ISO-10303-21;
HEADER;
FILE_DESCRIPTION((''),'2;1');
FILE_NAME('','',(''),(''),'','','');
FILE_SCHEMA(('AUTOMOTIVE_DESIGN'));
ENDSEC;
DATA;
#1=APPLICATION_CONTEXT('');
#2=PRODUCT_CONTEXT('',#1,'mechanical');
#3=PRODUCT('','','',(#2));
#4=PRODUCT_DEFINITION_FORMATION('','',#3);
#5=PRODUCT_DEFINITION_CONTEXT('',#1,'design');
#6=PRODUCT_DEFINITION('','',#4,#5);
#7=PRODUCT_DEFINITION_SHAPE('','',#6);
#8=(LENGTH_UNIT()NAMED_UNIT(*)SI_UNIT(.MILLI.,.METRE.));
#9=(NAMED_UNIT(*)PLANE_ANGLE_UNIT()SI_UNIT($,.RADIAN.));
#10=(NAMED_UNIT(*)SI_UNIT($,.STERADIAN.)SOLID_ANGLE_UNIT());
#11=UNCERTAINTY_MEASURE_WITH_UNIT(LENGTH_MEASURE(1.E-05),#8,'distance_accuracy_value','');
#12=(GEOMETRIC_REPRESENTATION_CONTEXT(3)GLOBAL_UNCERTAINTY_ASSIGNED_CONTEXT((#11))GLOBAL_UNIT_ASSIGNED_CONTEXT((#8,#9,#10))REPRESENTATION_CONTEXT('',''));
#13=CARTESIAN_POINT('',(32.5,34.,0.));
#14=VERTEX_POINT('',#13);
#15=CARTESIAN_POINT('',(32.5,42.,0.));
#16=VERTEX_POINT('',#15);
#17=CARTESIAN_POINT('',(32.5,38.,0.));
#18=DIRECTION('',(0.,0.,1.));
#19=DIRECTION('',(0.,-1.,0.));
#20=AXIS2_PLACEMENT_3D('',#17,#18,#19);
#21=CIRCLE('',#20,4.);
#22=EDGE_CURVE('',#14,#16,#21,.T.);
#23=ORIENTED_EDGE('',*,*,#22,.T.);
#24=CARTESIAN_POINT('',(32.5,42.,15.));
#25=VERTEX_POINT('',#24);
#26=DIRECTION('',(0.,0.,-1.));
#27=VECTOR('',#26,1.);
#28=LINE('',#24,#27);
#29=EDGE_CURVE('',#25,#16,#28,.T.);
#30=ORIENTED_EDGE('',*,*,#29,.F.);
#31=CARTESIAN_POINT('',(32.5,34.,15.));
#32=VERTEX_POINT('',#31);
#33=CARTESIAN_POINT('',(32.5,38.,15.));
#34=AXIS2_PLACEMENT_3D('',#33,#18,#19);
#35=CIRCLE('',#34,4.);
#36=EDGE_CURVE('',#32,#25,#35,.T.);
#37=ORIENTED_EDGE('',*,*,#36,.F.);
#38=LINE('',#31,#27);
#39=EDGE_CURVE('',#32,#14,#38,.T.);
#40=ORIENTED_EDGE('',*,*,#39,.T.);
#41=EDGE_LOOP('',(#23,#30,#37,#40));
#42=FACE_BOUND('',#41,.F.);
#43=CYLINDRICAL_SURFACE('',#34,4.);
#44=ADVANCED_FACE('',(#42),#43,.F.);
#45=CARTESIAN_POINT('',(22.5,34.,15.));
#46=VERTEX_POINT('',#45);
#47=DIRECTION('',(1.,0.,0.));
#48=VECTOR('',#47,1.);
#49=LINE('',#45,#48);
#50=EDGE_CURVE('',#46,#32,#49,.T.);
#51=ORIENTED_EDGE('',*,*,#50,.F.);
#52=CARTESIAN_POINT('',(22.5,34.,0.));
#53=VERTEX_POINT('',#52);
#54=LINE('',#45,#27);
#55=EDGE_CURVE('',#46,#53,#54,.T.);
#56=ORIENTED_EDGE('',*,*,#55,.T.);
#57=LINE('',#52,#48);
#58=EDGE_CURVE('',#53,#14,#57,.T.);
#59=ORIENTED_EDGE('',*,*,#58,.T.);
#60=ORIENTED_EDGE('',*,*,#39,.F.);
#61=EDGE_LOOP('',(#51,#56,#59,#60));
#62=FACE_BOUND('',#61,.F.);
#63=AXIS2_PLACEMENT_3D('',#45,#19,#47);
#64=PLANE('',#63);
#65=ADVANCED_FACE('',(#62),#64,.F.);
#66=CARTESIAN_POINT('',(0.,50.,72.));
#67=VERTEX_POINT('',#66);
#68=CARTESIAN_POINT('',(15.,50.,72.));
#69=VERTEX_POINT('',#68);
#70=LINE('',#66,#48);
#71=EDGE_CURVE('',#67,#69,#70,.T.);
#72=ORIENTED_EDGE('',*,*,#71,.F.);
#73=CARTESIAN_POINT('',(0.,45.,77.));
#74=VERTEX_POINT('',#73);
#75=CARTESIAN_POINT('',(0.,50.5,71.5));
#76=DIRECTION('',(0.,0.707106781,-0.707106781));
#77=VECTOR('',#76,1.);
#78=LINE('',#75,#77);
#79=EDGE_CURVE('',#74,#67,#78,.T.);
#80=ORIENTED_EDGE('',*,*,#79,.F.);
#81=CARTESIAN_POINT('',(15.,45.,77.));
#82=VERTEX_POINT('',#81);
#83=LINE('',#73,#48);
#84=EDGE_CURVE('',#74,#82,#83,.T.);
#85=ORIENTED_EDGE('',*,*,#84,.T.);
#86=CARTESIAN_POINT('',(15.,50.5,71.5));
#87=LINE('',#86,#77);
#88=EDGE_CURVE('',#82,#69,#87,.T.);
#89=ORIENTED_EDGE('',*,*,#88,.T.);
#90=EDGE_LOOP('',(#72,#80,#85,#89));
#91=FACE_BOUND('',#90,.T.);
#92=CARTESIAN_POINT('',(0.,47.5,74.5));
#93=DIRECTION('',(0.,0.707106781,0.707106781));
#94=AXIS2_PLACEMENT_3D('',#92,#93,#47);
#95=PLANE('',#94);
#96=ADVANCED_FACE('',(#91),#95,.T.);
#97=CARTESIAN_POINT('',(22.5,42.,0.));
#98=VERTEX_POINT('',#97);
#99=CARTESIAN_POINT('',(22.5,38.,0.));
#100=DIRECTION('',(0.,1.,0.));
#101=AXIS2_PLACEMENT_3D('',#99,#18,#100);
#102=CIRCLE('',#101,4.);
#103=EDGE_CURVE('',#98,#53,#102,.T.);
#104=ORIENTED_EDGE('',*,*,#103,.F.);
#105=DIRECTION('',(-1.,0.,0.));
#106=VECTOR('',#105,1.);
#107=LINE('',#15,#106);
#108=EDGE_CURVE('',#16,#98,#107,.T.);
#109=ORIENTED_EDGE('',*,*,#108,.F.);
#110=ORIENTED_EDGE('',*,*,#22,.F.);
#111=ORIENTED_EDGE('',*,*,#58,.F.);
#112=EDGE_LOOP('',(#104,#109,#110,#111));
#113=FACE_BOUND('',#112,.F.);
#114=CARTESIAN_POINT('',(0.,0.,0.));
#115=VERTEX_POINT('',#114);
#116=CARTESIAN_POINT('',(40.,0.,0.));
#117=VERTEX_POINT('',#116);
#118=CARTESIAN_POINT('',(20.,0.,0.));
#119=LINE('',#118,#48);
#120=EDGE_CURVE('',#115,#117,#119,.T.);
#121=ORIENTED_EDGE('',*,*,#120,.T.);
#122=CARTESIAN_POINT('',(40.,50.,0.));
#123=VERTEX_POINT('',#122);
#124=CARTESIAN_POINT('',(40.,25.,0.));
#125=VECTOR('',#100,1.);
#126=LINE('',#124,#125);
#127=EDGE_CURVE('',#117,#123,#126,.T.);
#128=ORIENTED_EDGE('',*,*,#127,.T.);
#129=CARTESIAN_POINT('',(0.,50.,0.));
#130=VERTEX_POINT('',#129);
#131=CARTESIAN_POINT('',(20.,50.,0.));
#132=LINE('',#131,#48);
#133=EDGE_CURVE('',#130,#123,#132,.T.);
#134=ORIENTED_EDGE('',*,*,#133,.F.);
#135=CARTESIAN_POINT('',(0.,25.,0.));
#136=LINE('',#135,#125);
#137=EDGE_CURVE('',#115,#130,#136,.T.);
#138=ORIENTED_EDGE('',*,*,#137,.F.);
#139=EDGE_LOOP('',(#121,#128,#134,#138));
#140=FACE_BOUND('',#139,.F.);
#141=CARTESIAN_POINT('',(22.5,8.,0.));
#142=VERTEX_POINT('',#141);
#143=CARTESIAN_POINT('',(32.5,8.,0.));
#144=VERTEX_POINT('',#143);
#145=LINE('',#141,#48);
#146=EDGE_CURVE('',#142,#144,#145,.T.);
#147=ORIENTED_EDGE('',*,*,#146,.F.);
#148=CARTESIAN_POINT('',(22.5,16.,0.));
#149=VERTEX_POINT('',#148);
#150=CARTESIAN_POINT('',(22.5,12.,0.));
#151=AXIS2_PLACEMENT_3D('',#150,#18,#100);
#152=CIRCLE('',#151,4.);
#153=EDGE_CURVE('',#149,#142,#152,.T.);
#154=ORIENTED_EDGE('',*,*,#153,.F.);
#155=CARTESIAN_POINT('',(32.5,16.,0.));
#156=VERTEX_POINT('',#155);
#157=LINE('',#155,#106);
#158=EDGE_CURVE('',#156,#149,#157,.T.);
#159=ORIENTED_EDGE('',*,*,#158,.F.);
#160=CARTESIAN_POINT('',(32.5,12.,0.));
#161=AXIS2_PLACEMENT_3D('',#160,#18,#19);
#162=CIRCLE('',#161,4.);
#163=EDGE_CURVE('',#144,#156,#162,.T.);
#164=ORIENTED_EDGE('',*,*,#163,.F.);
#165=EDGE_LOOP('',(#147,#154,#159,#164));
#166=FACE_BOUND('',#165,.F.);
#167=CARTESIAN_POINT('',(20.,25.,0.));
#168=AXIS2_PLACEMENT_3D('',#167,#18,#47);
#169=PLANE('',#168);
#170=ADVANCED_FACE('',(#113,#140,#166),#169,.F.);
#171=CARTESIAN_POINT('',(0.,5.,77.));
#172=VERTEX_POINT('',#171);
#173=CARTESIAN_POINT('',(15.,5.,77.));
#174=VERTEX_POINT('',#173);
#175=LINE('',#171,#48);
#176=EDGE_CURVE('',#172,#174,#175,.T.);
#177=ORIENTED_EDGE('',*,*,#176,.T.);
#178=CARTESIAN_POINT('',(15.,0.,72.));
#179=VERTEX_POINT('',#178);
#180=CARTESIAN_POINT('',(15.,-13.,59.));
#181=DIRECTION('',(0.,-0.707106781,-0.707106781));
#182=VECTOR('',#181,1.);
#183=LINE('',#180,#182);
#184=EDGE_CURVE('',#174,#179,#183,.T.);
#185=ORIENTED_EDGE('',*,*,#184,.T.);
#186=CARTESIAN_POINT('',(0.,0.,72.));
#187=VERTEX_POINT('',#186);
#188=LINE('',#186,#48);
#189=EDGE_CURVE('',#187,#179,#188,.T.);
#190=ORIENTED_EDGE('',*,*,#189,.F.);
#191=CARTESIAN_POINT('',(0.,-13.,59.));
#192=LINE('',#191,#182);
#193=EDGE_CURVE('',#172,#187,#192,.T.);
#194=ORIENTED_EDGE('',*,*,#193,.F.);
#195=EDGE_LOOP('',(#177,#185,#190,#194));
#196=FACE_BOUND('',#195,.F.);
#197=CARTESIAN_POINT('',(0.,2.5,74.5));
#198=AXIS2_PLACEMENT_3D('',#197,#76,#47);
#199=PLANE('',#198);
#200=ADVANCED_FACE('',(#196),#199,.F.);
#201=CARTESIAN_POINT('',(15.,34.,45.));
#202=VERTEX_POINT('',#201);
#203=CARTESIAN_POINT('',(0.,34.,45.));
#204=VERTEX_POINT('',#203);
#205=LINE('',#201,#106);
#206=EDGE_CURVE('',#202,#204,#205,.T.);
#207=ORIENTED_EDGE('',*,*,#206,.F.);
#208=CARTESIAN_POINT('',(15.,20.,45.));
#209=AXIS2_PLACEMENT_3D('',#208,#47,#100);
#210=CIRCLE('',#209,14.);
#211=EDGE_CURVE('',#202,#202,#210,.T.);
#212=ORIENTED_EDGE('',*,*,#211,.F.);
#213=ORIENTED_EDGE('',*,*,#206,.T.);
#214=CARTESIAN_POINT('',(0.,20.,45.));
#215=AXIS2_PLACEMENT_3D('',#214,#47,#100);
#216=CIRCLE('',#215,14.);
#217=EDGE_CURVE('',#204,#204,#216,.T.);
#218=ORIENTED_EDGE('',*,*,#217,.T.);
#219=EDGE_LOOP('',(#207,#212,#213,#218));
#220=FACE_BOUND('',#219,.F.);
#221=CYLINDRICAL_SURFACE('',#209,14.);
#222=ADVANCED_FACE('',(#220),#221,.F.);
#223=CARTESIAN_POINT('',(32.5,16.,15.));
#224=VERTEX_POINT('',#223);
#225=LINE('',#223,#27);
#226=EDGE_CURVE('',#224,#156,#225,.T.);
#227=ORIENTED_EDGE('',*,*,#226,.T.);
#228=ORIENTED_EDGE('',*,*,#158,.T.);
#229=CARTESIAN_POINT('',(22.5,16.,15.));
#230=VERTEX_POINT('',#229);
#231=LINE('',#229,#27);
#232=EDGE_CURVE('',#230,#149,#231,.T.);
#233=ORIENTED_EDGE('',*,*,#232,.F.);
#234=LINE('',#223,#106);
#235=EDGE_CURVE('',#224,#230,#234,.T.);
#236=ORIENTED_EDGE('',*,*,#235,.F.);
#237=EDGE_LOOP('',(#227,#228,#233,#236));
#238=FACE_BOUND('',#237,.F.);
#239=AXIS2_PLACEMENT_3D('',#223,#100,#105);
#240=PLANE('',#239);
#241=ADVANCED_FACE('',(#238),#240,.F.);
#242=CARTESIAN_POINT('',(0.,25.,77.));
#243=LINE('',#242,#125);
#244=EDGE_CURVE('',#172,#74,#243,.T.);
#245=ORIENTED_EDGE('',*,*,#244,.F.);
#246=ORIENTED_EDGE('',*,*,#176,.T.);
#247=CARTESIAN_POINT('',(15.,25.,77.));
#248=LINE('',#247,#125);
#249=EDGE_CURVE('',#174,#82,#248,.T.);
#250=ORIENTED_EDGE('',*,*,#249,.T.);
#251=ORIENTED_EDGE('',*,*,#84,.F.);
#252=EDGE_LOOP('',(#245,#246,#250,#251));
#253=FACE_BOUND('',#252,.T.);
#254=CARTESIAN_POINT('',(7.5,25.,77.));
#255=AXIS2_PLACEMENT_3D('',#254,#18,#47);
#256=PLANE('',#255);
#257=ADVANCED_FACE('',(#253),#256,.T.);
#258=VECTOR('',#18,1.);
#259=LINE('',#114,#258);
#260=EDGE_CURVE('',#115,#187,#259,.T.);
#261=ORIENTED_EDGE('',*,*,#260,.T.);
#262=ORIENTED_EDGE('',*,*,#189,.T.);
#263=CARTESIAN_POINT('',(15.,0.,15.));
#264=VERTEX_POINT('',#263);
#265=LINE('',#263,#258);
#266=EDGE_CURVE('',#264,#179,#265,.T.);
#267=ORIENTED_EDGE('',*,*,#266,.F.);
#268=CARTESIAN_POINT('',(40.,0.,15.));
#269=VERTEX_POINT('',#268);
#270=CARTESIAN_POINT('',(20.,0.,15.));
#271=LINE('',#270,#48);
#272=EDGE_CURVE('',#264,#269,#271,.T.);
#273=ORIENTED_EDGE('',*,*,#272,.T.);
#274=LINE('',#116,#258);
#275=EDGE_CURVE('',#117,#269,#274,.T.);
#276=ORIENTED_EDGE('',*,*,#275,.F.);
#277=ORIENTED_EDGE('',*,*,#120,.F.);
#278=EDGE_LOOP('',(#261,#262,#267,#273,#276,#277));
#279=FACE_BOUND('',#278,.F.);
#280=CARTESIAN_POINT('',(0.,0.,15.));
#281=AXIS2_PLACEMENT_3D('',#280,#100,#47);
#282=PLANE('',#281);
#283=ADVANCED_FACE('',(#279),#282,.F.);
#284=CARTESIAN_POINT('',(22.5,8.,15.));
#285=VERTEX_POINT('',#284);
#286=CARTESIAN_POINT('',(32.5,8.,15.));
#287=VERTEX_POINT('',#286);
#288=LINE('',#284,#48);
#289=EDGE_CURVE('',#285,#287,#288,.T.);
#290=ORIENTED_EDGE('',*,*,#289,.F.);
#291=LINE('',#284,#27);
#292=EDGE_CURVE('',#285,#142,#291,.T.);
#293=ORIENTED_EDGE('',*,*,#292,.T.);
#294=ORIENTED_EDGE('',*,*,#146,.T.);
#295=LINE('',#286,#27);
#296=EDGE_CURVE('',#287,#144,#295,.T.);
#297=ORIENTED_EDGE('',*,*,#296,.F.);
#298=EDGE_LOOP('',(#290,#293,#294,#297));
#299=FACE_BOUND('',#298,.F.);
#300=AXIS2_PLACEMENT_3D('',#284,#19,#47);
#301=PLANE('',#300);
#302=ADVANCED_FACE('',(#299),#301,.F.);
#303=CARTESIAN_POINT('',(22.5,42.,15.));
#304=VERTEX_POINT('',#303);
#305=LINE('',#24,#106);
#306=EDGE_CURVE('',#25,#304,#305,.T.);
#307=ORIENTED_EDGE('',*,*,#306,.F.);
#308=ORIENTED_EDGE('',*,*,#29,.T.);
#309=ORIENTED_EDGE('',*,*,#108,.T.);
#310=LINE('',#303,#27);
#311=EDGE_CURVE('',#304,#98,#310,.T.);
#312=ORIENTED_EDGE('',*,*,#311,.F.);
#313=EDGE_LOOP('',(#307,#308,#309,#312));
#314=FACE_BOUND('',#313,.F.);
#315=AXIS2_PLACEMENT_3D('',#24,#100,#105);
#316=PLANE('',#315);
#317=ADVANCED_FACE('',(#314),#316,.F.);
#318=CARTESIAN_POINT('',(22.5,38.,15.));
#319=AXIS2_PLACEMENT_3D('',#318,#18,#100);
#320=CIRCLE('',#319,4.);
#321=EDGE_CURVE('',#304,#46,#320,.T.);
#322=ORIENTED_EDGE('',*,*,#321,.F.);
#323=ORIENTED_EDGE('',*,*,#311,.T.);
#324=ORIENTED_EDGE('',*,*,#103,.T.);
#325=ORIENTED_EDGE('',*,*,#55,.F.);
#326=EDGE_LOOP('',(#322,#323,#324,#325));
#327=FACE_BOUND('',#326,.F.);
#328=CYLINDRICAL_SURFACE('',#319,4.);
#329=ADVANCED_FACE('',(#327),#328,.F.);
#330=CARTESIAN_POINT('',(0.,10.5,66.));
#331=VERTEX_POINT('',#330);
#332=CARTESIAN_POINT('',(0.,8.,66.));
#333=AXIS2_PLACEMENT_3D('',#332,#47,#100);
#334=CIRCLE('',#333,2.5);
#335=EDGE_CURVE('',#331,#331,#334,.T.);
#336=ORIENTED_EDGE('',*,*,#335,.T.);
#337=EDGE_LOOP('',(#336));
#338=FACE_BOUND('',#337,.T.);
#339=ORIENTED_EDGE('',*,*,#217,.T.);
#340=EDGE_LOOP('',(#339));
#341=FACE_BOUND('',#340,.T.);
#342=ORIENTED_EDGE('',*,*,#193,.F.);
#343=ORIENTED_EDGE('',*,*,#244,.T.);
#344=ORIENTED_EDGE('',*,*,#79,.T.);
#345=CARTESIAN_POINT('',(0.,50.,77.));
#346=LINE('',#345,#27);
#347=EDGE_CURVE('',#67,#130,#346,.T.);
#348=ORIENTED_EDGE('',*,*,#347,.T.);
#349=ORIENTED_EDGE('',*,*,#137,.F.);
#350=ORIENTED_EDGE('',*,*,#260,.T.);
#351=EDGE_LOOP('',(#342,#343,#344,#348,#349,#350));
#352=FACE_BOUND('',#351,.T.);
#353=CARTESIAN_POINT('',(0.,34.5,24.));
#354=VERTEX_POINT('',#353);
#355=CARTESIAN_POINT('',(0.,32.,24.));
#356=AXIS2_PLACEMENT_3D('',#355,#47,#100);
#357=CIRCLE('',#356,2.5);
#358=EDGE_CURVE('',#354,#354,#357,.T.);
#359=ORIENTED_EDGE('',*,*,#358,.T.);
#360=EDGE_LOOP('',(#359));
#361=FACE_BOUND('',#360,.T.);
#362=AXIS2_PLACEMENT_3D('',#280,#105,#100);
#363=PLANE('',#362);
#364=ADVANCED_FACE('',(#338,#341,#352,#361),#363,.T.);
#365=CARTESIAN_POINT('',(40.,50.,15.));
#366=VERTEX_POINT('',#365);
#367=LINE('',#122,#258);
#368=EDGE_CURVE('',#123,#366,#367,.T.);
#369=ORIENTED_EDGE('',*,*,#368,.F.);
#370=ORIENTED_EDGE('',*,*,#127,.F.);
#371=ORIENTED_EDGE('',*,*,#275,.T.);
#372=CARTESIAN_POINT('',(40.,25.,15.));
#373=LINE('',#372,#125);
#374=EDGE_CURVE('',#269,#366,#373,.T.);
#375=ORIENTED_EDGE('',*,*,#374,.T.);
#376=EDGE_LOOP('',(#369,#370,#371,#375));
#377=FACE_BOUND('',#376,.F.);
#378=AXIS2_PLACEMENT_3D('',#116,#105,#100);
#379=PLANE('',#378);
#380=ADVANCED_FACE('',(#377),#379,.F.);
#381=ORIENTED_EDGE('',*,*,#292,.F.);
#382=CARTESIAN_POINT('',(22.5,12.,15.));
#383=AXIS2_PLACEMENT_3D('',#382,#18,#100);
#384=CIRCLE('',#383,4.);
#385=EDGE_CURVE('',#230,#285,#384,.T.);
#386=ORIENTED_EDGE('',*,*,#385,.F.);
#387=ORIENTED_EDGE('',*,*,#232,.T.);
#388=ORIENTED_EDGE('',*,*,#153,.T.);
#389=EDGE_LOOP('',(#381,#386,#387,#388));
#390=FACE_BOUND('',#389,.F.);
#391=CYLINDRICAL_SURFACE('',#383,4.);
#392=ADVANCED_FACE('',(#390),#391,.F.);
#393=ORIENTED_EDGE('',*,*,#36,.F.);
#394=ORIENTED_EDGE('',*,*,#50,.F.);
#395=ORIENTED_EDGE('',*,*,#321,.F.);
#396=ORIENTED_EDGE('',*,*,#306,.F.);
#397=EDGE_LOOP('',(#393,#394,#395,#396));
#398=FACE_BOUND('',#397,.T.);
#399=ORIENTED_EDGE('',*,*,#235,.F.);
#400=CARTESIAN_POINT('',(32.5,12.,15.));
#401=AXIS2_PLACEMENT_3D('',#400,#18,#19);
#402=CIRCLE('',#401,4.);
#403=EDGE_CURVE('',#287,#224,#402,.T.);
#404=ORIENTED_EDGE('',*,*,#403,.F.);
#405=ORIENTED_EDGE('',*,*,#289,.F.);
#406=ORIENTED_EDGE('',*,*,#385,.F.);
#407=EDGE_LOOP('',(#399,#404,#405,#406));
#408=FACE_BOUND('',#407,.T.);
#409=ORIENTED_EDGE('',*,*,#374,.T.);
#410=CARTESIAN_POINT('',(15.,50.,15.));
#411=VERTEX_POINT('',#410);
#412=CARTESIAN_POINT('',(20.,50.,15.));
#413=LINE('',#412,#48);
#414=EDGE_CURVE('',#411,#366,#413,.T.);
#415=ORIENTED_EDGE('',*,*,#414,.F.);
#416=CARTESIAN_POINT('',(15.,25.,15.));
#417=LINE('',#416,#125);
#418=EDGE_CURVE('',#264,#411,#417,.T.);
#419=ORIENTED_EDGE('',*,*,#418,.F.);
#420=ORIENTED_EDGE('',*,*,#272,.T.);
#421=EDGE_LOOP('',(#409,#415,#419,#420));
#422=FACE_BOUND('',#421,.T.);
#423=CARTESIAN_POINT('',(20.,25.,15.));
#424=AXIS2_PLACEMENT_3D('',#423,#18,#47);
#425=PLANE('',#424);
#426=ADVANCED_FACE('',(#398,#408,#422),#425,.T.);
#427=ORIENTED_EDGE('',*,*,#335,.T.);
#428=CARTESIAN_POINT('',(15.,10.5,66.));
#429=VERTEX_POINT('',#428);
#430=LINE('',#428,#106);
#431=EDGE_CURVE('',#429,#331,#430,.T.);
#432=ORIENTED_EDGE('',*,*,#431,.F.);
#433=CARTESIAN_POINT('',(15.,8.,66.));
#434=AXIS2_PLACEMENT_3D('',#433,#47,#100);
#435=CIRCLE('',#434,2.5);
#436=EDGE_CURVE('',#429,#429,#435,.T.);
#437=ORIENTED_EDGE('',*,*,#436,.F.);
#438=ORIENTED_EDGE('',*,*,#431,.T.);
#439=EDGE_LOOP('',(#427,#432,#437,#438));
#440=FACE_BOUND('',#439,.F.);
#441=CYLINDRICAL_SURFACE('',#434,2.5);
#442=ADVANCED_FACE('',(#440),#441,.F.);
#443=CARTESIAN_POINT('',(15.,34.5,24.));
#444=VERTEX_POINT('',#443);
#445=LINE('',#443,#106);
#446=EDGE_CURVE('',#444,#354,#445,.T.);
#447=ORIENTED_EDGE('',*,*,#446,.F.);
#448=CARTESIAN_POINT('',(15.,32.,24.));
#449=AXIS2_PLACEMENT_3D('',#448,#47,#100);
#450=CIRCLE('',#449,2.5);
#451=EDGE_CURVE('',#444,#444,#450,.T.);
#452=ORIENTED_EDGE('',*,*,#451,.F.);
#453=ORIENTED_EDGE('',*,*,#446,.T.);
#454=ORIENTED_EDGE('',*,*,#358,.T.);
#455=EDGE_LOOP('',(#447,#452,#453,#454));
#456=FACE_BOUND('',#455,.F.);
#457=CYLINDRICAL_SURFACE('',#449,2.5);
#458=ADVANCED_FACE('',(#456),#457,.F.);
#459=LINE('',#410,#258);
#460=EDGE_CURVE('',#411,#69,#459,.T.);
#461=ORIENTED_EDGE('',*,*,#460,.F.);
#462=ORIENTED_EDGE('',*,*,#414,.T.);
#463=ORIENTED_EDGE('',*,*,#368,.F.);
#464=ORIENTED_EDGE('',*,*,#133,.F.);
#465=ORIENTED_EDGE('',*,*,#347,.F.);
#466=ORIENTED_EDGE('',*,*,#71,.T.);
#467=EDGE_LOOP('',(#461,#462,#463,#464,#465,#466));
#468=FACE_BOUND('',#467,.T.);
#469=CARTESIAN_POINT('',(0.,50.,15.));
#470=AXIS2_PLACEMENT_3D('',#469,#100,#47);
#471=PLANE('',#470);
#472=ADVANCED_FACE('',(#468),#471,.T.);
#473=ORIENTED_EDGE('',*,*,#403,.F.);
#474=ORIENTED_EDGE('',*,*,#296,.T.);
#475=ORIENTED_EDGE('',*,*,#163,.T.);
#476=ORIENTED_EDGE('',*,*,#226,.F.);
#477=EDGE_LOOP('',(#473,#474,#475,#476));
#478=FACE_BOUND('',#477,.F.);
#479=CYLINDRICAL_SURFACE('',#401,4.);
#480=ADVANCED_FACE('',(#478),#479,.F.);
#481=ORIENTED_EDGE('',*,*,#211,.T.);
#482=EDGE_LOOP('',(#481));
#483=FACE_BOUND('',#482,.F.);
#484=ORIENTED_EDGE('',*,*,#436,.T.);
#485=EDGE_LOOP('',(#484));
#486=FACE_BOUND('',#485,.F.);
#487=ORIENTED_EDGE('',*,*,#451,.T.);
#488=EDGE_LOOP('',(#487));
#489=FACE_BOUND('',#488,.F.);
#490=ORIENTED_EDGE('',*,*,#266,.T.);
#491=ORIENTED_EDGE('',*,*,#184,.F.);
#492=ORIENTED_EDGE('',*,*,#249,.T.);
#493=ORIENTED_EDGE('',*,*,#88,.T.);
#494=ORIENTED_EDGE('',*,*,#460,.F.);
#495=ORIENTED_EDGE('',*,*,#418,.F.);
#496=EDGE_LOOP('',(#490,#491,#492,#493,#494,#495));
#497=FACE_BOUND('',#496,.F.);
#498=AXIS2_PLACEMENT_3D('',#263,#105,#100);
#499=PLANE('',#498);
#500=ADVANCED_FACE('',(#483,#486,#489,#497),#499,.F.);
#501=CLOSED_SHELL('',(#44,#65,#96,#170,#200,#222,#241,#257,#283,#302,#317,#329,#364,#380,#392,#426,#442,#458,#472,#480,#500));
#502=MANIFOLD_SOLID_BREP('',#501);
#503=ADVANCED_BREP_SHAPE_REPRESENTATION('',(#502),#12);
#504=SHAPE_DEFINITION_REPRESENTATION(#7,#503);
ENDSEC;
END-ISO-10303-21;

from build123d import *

# Parameters (mm, degrees)
F0_W      = 40
F0_H      = 50
F1_DEPTH  = 15
F2_W      = 15
F2_H      = 50
F3_DEPTH  = 62
F4_R      = 14
F5_DEPTH  = 15
F6_SIZE   = 5
F7_R      = 2.5
F8_DEPTH  = 15
F10_DEPTH = 15


with BuildPart() as f1:
    # F0 (on Top) → F1 (new body)
    with BuildSketch(Plane.XY):
        with Locations((20, 25)):
            Rectangle(F0_W, F0_H)
    extrude(amount=F1_DEPTH)

    # F2 (on face) → F3 (join)
    with BuildSketch(Plane.XY.offset(15)):
        with Locations((7.5, 25)):
            Rectangle(F2_W, F2_H)
    extrude(amount=F3_DEPTH)

    # F4 (on face) → F5 (cut, through all)
    with BuildSketch(Plane.YZ.offset(15)):
        with Locations((20, 45)):
            Circle(F4_R)
    extrude(amount=-F5_DEPTH, mode=Mode.SUBTRACT)

    # F6
    f6_edges = [f1.edges().sort_by_distance(p)[0] for p in [
        (7.5, 50, 77),
        (7.5, 0, 77),
    ]]
    chamfer(f6_edges, length=F6_SIZE)

    # F7 (on face) → F8 (cut, through all)
    with BuildSketch(Plane.YZ.offset(15)):
        with Locations((8, 66)):
            Circle(F7_R)
        with Locations((32, 24)):
            Circle(F7_R)
    extrude(amount=-F8_DEPTH, mode=Mode.SUBTRACT)

    # F9 (on face) → F10 (cut, through all)
    with BuildSketch(Plane.XY.offset(15)):
        with BuildLine():
            Line((32.5, 42), (22.5, 42))
            ThreePointArc((22.5, 42), (18.5, 38), (22.5, 34))
            Line((22.5, 34), (32.5, 34))
            ThreePointArc((32.5, 34), (36.5, 38), (32.5, 42))
        make_face()
        with BuildLine():
            Line((32.5, 16), (22.5, 16))
            ThreePointArc((22.5, 16), (18.5, 12), (22.5, 8))
            Line((22.5, 8), (32.5, 8))
            ThreePointArc((32.5, 8), (36.5, 12), (32.5, 16))
        make_face()
    extrude(amount=-F10_DEPTH, mode=Mode.SUBTRACT)


solid = f1.part
